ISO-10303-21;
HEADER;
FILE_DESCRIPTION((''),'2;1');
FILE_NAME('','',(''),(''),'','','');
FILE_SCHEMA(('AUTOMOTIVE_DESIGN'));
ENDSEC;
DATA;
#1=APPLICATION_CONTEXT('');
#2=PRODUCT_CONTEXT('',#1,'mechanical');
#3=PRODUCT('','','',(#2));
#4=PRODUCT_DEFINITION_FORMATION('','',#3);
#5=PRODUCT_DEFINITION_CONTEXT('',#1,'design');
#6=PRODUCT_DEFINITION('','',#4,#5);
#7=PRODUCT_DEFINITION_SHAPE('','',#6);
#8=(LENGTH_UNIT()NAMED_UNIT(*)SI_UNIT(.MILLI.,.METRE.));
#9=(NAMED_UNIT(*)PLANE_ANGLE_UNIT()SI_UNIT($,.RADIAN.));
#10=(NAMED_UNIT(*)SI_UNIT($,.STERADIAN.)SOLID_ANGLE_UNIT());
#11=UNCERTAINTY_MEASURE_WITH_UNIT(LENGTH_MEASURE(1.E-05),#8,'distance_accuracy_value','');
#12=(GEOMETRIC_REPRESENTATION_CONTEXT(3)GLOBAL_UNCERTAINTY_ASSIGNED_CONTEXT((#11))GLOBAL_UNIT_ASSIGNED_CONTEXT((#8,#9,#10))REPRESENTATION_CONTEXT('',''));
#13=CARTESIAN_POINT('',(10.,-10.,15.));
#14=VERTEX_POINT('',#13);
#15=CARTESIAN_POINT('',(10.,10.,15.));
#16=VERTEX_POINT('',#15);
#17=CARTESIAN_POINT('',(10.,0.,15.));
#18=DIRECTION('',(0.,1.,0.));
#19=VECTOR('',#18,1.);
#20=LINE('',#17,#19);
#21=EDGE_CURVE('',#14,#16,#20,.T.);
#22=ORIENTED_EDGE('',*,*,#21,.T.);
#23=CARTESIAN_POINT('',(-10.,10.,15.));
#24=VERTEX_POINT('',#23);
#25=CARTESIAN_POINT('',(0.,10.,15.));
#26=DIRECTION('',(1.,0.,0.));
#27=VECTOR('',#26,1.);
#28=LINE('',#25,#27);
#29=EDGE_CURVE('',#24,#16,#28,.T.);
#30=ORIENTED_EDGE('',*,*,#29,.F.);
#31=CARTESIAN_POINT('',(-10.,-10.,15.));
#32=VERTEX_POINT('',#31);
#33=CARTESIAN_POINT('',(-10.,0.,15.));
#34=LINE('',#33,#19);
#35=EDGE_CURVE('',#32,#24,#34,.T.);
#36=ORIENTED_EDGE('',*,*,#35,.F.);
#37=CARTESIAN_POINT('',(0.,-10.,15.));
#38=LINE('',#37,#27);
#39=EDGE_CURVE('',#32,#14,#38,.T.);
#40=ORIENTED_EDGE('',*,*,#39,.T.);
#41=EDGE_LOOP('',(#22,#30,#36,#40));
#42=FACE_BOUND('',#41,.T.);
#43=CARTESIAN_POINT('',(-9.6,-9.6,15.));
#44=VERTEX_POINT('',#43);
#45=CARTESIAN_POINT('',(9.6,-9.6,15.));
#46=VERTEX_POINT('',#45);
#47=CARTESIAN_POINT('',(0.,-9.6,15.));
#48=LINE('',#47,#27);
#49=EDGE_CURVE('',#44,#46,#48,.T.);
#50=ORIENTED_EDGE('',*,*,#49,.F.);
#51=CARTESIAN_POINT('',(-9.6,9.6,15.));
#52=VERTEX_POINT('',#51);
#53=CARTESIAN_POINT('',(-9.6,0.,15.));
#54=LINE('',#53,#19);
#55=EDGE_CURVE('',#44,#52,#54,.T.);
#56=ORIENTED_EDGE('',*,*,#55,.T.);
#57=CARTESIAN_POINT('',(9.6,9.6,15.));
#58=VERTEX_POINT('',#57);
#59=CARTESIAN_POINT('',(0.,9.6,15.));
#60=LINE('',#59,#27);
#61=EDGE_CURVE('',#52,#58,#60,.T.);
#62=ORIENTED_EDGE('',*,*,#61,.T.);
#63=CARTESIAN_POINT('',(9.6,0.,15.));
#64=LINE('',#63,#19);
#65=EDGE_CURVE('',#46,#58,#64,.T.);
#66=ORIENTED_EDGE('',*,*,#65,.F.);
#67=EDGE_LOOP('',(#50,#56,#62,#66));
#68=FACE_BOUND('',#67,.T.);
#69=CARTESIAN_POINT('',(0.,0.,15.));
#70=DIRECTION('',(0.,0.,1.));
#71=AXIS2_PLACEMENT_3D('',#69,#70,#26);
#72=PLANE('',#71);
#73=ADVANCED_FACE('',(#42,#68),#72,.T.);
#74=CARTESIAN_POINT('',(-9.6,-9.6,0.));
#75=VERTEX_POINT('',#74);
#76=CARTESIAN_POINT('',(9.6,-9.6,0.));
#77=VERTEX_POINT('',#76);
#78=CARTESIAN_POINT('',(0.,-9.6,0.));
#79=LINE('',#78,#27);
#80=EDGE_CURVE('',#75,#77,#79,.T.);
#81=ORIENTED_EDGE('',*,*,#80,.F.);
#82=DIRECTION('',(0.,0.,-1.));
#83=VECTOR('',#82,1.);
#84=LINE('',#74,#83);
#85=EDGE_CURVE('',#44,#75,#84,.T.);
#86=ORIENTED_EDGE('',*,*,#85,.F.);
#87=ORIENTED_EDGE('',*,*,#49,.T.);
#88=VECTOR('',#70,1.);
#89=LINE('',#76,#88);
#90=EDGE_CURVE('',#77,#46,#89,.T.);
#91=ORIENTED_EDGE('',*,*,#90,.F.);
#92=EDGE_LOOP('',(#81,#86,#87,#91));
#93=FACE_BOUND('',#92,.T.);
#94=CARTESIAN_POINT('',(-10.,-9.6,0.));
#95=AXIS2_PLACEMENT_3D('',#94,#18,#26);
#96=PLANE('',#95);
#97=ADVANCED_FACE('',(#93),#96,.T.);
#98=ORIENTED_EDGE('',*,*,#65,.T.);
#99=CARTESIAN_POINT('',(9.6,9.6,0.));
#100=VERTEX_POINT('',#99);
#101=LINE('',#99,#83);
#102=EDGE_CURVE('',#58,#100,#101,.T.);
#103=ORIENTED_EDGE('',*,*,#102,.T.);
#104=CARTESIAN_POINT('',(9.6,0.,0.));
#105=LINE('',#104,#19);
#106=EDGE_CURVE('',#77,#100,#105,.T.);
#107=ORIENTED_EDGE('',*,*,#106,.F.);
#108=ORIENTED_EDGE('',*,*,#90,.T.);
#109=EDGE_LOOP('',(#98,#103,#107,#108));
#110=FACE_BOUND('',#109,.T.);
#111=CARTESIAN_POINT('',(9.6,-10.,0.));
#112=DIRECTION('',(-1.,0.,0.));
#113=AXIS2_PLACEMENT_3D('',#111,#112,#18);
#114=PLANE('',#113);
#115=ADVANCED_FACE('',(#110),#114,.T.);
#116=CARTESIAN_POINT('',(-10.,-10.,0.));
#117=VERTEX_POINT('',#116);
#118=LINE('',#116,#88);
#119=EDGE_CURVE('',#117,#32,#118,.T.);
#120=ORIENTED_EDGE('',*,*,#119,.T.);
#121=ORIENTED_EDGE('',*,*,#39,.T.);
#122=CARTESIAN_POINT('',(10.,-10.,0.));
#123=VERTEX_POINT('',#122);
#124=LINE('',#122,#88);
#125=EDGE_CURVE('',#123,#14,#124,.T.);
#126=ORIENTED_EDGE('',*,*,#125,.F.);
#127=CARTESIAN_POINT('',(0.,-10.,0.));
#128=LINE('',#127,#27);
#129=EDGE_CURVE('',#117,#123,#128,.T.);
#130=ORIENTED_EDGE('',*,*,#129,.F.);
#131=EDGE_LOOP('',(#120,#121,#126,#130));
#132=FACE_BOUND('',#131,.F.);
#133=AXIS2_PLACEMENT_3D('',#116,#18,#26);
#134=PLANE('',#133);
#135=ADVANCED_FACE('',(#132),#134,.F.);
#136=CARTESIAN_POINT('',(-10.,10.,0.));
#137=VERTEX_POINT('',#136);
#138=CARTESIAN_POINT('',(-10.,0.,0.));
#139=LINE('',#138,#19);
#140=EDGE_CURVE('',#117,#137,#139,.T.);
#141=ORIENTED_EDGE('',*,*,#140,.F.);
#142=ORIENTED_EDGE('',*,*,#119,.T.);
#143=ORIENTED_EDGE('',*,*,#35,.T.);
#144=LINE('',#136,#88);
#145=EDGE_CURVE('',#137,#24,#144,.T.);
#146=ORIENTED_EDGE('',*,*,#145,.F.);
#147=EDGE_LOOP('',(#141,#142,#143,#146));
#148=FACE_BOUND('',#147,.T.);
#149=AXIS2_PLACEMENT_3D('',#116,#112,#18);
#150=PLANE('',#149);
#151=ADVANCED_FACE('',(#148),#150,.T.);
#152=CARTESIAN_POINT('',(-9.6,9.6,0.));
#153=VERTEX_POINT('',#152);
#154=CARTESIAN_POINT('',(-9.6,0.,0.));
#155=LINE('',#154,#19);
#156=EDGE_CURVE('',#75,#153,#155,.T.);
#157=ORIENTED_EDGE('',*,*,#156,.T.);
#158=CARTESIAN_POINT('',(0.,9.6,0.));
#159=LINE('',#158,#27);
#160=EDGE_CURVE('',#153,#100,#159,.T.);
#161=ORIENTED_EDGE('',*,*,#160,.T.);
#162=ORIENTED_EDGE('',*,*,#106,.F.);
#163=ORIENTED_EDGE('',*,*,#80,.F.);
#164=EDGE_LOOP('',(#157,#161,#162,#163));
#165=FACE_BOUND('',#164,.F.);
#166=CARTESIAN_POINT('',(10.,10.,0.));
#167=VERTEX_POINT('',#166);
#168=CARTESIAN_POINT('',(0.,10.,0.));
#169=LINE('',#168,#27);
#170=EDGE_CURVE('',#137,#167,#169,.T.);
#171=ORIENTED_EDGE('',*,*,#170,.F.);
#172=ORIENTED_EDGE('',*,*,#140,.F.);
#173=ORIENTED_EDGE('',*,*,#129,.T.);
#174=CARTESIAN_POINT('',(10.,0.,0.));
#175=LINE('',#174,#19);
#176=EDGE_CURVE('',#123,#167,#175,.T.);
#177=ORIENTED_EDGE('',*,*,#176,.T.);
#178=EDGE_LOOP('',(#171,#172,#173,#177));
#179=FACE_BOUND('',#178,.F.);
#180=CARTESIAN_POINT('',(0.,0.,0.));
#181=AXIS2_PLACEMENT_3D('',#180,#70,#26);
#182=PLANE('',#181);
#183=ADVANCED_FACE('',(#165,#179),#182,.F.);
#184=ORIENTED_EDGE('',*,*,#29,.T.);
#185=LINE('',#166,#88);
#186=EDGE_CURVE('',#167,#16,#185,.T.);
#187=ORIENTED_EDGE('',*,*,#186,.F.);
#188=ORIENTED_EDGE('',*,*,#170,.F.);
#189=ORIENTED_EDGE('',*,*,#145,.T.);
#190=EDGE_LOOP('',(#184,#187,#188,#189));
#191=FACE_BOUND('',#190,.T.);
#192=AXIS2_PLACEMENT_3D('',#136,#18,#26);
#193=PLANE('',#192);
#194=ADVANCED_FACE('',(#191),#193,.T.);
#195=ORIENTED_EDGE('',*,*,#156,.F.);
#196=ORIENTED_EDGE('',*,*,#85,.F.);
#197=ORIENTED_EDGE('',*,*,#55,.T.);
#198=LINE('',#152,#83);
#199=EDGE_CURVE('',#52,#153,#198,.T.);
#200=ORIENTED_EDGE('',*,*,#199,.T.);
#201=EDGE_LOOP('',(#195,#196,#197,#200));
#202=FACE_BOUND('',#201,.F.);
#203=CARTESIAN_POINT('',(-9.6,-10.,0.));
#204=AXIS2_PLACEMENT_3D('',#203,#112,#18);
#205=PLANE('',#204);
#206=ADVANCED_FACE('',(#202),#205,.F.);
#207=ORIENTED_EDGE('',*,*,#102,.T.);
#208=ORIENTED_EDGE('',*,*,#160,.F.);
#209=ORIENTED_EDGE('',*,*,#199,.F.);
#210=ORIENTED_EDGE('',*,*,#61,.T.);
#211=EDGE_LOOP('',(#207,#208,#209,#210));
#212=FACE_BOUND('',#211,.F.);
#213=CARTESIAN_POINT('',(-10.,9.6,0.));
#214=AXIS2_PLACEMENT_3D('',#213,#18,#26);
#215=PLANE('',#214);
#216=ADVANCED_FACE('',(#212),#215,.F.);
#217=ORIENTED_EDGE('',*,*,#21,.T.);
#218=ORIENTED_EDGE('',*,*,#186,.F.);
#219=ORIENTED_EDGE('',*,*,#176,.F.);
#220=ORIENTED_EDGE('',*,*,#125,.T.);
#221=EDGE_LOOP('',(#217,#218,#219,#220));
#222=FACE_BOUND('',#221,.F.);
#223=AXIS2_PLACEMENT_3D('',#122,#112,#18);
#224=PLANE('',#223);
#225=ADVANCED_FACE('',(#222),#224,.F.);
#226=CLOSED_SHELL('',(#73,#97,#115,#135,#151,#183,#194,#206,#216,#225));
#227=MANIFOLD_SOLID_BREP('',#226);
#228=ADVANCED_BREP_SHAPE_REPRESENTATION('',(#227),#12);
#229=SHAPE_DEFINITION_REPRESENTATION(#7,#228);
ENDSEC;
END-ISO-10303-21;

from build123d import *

# Parameters (mm, degrees)
F0_W     = 20
F0_H     = 20
F1_DEPTH = 15
F2_T     = -0.4


with BuildPart() as f1:
    # F0 (on Top) → F1 (new body)
    with BuildSketch(Plane.XY):
        Rectangle(F0_W, F0_H)
    extrude(amount=F1_DEPTH)

    # F2
    f2_openings = [f1.faces().sort_by_distance(p)[0] for p in [
        (0, 0, 15),
        (0, 0, 0),
    ]]
    offset(amount=F2_T, openings=f2_openings)


solid = f1.part
